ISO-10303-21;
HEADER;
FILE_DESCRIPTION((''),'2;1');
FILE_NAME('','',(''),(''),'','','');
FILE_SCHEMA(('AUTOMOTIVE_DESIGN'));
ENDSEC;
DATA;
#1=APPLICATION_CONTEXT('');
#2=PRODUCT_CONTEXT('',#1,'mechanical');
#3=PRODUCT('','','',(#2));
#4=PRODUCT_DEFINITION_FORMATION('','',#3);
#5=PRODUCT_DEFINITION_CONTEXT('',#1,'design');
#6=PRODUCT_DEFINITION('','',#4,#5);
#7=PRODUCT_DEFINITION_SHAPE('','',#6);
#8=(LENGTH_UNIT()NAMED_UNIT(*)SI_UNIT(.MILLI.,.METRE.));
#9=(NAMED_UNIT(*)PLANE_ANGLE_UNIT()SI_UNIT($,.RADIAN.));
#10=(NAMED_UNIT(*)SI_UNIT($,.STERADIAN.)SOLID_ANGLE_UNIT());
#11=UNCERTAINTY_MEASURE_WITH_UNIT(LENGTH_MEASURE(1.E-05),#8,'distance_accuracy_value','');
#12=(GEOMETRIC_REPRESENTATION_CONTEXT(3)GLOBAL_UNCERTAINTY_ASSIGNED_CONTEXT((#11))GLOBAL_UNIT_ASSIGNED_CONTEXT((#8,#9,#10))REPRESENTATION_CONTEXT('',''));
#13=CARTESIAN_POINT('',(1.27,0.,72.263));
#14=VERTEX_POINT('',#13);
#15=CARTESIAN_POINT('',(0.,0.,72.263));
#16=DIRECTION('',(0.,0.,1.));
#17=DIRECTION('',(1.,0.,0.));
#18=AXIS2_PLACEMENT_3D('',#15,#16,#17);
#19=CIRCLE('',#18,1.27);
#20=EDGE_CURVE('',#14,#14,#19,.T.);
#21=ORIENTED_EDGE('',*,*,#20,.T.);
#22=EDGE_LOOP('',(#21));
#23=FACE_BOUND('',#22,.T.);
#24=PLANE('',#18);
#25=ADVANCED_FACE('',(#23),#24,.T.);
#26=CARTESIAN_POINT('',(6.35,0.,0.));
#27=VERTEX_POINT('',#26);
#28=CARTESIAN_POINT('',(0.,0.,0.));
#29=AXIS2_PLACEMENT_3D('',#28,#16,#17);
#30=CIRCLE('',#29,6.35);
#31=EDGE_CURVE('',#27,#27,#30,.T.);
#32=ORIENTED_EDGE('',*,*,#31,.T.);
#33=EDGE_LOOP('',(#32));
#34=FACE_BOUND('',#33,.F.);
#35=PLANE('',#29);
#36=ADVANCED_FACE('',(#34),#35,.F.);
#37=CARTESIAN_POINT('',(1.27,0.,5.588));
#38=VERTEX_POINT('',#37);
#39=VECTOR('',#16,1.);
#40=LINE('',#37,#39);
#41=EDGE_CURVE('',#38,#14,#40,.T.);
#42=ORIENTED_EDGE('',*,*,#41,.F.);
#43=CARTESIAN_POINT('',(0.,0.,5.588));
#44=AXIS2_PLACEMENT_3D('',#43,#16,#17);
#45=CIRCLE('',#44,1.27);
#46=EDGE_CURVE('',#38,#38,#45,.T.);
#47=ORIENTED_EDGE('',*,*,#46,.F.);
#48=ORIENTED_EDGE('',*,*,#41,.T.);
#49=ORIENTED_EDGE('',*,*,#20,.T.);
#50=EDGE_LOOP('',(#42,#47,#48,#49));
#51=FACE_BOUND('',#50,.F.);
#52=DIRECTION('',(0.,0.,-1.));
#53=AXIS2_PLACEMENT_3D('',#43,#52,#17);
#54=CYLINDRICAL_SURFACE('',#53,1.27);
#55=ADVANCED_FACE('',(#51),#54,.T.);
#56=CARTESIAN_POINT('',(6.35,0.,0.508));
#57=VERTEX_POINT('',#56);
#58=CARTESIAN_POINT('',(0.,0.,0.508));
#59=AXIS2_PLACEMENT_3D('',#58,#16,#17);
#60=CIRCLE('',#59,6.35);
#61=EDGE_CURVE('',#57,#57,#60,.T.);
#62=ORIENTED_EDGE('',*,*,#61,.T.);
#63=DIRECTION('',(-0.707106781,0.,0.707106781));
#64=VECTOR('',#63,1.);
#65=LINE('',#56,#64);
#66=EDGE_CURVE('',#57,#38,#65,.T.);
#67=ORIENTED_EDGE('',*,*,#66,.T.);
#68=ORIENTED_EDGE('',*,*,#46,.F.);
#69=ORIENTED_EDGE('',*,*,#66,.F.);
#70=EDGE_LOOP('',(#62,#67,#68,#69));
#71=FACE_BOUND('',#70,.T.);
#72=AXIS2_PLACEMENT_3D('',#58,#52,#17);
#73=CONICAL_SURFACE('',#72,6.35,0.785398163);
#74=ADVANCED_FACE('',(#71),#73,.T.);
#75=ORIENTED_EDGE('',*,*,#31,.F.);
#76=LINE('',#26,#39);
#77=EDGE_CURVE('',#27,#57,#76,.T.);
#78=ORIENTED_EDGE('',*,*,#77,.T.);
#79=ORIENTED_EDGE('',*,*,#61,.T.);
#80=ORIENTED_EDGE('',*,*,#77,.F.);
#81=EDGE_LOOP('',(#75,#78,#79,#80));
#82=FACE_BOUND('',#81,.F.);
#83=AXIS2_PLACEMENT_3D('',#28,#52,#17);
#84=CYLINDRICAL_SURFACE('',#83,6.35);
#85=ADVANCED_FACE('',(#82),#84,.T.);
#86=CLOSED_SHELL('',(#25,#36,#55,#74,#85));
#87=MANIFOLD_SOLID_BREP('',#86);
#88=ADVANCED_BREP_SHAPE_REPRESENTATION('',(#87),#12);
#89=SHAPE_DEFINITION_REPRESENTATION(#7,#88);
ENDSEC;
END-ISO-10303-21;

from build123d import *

# Parameters (mm, degrees)
F0_R      = 6.35
F1_DEPTH  = 5.588
F2_SIZE   = 5.08
F1_FACE_R = 1.27
F3_DEPTH  = 66.675


with BuildPart() as f1:
    # F0 (on Top) → F1 (new body)
    with BuildSketch(Plane.XY):
        Circle(F0_R)
    extrude(amount=F1_DEPTH)

    # F2
    f2_edges = [f1.edges().sort_by_distance(p)[0] for p in [
        (-6.35, 0, 5.588),
    ]]
    chamfer(f2_edges, length=F2_SIZE)

    # F1_face (on face) → F3 (join)
    with BuildSketch(Plane.XY.offset(5.588)):
        Circle(F1_FACE_R)
    extrude(amount=F3_DEPTH)


solid = f1.part
